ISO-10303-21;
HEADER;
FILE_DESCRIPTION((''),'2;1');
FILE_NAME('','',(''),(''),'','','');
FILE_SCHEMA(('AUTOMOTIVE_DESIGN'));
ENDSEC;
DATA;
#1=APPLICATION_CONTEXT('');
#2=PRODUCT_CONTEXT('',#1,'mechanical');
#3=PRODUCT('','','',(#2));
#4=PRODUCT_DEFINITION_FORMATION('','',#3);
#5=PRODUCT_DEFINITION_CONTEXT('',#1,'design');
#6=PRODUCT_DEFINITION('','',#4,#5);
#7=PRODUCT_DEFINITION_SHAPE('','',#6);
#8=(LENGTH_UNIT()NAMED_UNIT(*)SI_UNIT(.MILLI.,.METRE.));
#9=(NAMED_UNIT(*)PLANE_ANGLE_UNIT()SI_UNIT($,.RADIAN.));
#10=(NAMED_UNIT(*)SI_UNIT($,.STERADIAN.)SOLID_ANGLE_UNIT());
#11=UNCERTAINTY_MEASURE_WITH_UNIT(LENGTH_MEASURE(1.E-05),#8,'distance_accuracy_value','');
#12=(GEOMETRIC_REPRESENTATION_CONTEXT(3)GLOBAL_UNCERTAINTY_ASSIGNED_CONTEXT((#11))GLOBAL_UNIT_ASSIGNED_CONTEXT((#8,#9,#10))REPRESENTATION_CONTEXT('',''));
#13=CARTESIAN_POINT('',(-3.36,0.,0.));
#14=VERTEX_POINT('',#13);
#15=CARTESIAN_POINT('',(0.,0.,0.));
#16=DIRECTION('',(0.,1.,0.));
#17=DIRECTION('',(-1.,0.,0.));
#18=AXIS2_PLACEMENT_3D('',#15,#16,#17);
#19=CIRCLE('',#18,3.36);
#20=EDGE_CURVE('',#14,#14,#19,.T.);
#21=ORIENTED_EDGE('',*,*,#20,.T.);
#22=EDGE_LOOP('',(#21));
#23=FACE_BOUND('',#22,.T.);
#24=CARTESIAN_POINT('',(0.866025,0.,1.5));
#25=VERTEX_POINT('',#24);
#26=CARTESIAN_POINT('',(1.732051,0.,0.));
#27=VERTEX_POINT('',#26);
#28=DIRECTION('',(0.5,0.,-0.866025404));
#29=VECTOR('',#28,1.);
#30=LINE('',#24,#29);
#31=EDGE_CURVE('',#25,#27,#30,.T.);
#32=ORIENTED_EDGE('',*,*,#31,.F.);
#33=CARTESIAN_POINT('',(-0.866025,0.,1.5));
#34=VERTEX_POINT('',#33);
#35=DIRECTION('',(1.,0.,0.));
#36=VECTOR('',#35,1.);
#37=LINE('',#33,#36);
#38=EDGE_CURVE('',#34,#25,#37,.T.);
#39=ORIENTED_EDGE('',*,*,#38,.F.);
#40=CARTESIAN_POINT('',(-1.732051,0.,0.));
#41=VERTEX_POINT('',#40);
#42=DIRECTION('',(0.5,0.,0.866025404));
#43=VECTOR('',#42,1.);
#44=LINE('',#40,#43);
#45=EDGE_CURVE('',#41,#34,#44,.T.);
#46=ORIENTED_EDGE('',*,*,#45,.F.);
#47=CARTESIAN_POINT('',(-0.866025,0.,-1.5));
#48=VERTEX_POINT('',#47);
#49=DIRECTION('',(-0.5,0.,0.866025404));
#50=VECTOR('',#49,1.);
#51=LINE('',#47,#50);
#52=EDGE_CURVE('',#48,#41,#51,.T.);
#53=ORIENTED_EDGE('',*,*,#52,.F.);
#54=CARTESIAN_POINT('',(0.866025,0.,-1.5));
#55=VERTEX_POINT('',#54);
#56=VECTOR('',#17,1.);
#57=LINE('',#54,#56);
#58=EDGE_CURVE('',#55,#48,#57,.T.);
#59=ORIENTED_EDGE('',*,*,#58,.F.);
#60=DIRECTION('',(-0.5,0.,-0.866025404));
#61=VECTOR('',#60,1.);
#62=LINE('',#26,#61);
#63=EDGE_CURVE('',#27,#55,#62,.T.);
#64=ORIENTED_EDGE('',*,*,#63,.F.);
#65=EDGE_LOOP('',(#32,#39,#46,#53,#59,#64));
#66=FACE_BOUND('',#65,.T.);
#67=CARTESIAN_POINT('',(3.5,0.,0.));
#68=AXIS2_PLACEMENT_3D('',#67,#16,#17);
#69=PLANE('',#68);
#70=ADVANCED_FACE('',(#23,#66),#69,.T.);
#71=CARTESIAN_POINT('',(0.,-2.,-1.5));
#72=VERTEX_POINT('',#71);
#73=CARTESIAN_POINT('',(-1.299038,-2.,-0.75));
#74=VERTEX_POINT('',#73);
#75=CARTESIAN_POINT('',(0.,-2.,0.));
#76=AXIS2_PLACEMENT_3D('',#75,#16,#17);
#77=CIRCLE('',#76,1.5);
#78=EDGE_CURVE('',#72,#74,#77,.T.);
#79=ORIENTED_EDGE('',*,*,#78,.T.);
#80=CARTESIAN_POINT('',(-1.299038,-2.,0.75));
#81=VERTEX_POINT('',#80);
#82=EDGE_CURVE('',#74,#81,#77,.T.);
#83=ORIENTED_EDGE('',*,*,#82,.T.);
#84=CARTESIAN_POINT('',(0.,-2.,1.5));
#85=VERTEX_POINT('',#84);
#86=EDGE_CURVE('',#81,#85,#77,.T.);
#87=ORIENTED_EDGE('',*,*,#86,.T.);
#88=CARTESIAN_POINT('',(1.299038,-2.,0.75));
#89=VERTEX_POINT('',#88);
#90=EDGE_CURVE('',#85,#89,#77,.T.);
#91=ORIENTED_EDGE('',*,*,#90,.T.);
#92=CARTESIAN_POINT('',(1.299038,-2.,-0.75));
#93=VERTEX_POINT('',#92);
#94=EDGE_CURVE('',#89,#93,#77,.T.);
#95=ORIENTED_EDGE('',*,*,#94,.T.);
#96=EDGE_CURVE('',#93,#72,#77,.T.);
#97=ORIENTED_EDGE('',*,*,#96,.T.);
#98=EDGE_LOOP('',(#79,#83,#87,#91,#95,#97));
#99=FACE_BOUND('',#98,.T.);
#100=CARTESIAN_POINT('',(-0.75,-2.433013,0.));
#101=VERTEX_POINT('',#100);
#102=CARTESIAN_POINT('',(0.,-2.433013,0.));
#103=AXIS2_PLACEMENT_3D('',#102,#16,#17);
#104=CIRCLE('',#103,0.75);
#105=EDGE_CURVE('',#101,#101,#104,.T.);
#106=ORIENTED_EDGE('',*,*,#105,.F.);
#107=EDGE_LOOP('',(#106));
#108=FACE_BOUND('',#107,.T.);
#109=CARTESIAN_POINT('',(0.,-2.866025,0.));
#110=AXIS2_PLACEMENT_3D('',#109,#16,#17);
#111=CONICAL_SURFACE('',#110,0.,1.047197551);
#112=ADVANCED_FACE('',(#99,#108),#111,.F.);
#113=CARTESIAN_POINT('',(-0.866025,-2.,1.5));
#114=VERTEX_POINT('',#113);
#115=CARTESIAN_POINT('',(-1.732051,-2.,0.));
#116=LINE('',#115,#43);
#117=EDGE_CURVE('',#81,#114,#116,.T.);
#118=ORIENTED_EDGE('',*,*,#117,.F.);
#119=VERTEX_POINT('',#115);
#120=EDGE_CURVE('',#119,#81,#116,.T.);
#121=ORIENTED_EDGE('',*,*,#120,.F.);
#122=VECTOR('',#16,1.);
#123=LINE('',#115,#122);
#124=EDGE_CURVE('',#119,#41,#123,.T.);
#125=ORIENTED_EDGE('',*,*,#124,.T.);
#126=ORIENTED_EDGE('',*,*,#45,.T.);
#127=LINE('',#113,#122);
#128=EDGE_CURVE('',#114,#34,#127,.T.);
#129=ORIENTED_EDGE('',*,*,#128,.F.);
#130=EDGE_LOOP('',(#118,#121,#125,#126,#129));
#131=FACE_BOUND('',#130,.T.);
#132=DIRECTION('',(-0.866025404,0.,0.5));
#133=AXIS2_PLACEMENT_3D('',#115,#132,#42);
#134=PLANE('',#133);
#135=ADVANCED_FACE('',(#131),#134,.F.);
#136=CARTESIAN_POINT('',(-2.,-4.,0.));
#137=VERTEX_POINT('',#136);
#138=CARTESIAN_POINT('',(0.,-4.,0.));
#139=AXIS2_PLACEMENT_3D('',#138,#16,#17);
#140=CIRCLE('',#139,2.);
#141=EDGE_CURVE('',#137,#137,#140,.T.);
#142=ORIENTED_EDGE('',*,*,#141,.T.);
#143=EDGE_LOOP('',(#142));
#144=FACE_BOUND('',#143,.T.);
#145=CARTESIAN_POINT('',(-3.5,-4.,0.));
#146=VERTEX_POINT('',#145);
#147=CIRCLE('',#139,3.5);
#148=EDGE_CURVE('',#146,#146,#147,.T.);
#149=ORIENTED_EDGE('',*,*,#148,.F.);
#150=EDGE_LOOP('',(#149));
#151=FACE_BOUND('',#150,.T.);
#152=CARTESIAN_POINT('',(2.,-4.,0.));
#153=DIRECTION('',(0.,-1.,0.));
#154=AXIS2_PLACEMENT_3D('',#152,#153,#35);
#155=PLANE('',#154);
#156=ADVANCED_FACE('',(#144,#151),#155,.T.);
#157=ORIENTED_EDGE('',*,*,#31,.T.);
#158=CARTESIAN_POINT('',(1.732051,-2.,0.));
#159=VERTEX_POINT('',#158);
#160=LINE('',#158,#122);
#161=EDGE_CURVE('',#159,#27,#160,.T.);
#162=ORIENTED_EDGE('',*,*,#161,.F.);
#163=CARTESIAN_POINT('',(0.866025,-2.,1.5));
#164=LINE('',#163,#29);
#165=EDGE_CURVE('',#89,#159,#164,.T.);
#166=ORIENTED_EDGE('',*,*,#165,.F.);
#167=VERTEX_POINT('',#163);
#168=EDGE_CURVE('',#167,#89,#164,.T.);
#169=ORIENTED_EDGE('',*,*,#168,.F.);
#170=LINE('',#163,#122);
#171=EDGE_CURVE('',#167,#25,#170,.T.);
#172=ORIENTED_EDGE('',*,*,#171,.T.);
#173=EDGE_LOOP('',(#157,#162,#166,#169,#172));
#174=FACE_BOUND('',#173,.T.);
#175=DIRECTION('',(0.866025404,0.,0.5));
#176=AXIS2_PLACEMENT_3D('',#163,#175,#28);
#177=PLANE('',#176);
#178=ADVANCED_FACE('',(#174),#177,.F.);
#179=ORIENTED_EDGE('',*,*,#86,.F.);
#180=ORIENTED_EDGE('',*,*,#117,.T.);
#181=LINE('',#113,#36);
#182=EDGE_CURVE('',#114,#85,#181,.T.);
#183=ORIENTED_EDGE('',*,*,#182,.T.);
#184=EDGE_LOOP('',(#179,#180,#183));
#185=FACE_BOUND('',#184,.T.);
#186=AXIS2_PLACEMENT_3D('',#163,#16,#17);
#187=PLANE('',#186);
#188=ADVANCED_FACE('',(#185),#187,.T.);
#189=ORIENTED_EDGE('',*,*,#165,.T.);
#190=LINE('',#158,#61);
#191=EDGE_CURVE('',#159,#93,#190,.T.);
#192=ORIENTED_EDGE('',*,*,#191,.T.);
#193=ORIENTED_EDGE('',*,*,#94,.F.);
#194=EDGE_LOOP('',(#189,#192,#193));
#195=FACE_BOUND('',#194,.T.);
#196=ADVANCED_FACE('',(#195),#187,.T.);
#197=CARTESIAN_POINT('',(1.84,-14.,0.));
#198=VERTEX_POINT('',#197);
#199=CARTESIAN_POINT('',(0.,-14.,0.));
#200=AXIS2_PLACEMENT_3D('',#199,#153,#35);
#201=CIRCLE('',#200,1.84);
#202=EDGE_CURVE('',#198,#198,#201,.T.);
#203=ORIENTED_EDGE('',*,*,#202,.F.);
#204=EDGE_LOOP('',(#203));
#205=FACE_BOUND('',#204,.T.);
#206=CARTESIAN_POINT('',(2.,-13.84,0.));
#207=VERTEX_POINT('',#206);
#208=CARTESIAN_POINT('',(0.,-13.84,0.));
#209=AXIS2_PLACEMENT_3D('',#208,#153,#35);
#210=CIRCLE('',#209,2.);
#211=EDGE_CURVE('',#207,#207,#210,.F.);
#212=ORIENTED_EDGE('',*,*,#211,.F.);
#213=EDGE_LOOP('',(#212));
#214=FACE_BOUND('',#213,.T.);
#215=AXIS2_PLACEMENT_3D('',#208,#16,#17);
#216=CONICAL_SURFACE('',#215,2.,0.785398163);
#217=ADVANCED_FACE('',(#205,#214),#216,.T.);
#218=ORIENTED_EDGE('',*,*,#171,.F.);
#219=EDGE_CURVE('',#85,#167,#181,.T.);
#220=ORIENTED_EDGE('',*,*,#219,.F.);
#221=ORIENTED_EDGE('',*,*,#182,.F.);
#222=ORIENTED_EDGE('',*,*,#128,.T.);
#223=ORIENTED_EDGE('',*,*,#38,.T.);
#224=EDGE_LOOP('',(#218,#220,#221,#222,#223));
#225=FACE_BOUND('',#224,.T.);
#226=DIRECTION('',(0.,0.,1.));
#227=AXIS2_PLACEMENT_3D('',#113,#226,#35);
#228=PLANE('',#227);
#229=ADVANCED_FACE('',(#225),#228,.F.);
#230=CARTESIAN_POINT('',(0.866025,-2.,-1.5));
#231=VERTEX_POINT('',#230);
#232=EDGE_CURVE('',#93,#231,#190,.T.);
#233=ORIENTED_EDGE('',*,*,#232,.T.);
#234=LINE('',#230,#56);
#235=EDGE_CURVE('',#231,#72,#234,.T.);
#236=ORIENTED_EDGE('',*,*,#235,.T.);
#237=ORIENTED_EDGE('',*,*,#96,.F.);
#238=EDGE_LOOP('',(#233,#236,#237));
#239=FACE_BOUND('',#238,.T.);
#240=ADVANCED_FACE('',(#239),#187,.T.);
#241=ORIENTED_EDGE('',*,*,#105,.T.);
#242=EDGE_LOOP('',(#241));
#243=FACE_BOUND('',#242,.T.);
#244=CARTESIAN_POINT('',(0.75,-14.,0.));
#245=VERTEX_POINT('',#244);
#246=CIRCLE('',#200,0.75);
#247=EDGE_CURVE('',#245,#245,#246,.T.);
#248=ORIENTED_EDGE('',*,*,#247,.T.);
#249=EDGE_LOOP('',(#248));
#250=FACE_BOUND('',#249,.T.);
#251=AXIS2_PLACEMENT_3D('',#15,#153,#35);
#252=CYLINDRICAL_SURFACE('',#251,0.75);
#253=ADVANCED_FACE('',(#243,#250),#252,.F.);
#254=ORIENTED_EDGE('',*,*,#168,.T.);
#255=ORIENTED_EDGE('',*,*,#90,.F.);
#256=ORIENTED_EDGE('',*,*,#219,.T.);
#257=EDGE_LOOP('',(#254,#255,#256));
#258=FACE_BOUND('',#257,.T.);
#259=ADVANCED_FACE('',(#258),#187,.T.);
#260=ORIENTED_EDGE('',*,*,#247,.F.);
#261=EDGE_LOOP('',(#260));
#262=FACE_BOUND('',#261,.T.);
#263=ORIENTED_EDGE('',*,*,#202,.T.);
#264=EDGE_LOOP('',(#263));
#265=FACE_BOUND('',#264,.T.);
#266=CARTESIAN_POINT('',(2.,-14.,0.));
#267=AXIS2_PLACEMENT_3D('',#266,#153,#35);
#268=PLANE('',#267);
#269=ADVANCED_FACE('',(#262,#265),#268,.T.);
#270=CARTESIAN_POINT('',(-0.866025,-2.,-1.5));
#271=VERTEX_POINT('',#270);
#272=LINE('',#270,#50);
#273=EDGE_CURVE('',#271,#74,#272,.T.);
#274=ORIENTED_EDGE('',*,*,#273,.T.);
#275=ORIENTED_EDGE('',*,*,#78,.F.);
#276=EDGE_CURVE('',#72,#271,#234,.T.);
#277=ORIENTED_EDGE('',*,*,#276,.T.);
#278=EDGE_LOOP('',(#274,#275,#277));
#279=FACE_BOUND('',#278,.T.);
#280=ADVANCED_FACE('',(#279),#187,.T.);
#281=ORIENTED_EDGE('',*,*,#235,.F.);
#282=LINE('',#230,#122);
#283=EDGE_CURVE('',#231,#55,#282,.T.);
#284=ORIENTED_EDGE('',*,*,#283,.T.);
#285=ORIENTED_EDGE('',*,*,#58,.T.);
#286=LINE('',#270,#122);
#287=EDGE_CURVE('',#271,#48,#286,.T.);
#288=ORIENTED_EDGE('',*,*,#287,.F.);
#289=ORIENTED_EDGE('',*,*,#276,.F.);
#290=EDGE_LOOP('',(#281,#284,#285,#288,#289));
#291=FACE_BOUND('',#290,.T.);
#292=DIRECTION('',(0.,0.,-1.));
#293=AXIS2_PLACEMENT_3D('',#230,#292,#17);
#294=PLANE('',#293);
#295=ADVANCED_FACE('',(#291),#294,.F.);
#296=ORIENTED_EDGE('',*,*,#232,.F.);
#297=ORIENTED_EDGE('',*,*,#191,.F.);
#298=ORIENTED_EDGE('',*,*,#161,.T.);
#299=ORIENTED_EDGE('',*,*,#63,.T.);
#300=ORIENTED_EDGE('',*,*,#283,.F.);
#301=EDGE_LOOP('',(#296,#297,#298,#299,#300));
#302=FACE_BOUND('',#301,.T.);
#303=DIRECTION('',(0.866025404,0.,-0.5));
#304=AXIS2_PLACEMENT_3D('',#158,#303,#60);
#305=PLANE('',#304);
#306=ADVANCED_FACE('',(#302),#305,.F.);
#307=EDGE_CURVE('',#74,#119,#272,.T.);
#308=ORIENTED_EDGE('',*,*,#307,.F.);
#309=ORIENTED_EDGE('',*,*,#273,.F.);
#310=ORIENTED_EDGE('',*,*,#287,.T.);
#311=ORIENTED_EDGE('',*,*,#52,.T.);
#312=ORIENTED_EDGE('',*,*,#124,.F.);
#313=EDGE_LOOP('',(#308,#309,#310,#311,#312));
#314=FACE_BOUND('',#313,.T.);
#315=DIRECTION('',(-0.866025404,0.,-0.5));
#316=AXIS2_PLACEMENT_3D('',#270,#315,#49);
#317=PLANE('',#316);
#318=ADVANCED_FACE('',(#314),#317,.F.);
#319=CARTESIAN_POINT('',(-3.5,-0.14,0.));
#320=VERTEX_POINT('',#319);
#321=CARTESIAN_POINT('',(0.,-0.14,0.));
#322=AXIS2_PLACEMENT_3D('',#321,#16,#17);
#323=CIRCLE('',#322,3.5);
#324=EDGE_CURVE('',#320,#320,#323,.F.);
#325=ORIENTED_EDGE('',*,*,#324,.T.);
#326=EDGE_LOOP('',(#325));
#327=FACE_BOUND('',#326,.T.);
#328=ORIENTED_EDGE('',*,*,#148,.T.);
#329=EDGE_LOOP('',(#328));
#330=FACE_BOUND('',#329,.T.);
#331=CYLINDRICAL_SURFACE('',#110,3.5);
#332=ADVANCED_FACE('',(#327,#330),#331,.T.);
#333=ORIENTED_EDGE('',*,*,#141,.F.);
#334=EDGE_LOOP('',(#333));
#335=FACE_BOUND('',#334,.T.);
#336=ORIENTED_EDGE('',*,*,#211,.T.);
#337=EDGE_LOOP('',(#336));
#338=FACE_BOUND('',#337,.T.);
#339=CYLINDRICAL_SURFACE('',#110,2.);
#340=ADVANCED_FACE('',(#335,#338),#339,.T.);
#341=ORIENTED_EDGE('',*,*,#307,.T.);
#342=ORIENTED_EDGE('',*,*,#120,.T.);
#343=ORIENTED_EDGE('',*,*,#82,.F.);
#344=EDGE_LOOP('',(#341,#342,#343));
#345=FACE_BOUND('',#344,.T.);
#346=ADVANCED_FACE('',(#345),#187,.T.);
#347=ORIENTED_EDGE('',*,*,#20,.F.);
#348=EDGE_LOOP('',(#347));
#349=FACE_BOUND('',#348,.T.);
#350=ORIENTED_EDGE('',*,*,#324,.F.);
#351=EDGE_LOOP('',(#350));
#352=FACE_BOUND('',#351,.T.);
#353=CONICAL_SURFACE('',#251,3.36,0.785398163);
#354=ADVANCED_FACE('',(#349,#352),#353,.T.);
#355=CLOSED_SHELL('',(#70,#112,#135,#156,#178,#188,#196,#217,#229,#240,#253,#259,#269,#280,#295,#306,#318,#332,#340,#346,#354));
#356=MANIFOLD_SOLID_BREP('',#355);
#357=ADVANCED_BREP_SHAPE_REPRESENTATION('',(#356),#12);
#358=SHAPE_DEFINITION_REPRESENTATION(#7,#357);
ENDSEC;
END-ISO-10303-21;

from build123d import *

# Parameters (mm, degrees)
CHAMFER_1_SIZE      = 0.16
CHAMFER_2_SIZE      = 0.14
CUT_EXTRUDE_1_DEPTH = 2
CUT_EXTRUDE_2_REACH = 16.849
SKETCH_4_R          = 0.75


with BuildPart() as part:
    # 草图2 → 旋转1 (revolve)
    with BuildSketch(Plane.XY):
        Polygon((-1.5, 0), (-1.5, -2), (0, -2.866025404), (0, -14), (-2, -14), (-2, -4), (-3.5, -4), (-3.5, 0), align=None)
    revolve(axis=Axis((0, -2.866025404, 0), (0, -1, 0)))

    # 倒角1
    chamfer_1_edges = [part.edges().sort_by_distance(p)[0] for p in [
        (2, -14, 0),
    ]]
    chamfer(chamfer_1_edges, length=CHAMFER_1_SIZE)

    # 倒角2
    chamfer_2_edges = [part.edges().sort_by_distance(p)[0] for p in [
        (3.5, 0, 0),
    ]]
    chamfer(chamfer_2_edges, length=CHAMFER_2_SIZE)

    # 草图3 → 切除-拉伸1 (cut)
    with BuildSketch(Plane(origin=(0, 0, 0), x_dir=(-1, 0, 0), z_dir=(0, 1, 0))):
        Polygon((-0.866025404, 1.5), (-1.732050808, 0), (-0.866025404, -1.5), (0.866025404, -1.5), (1.732050808, 0), (0.866025404, 1.5), align=None)
    extrude(amount=-CUT_EXTRUDE_1_DEPTH, mode=Mode.SUBTRACT)

    # 切除-拉伸2: up to this cone (the profile starts outside it)
    cut_extrude_2_end = Plane(origin=(0, -14, 0), z_dir=(0, 1, 0)).offset(11.133975596) * Cone(1.732e-06, 10.76473977, 6.215024404, align=(Align.CENTER, Align.CENTER, Align.MIN), mode=Mode.PRIVATE)
    # 草图4 → 切除-拉伸2 (cut, up to the surface)
    with BuildSketch(Plane.XZ.offset(14), mode=Mode.PRIVATE) as cut_extrude_2_sk1:
        Circle(SKETCH_4_R)
    cut_extrude_2_tool1 = extrude(cut_extrude_2_sk1.sketch, amount=-CUT_EXTRUDE_2_REACH, mode=Mode.PRIVATE) - cut_extrude_2_end
    add(cut_extrude_2_tool1.solids().sort_by_distance((0, -14, 0))[0], mode=Mode.SUBTRACT)


solid = part.part
